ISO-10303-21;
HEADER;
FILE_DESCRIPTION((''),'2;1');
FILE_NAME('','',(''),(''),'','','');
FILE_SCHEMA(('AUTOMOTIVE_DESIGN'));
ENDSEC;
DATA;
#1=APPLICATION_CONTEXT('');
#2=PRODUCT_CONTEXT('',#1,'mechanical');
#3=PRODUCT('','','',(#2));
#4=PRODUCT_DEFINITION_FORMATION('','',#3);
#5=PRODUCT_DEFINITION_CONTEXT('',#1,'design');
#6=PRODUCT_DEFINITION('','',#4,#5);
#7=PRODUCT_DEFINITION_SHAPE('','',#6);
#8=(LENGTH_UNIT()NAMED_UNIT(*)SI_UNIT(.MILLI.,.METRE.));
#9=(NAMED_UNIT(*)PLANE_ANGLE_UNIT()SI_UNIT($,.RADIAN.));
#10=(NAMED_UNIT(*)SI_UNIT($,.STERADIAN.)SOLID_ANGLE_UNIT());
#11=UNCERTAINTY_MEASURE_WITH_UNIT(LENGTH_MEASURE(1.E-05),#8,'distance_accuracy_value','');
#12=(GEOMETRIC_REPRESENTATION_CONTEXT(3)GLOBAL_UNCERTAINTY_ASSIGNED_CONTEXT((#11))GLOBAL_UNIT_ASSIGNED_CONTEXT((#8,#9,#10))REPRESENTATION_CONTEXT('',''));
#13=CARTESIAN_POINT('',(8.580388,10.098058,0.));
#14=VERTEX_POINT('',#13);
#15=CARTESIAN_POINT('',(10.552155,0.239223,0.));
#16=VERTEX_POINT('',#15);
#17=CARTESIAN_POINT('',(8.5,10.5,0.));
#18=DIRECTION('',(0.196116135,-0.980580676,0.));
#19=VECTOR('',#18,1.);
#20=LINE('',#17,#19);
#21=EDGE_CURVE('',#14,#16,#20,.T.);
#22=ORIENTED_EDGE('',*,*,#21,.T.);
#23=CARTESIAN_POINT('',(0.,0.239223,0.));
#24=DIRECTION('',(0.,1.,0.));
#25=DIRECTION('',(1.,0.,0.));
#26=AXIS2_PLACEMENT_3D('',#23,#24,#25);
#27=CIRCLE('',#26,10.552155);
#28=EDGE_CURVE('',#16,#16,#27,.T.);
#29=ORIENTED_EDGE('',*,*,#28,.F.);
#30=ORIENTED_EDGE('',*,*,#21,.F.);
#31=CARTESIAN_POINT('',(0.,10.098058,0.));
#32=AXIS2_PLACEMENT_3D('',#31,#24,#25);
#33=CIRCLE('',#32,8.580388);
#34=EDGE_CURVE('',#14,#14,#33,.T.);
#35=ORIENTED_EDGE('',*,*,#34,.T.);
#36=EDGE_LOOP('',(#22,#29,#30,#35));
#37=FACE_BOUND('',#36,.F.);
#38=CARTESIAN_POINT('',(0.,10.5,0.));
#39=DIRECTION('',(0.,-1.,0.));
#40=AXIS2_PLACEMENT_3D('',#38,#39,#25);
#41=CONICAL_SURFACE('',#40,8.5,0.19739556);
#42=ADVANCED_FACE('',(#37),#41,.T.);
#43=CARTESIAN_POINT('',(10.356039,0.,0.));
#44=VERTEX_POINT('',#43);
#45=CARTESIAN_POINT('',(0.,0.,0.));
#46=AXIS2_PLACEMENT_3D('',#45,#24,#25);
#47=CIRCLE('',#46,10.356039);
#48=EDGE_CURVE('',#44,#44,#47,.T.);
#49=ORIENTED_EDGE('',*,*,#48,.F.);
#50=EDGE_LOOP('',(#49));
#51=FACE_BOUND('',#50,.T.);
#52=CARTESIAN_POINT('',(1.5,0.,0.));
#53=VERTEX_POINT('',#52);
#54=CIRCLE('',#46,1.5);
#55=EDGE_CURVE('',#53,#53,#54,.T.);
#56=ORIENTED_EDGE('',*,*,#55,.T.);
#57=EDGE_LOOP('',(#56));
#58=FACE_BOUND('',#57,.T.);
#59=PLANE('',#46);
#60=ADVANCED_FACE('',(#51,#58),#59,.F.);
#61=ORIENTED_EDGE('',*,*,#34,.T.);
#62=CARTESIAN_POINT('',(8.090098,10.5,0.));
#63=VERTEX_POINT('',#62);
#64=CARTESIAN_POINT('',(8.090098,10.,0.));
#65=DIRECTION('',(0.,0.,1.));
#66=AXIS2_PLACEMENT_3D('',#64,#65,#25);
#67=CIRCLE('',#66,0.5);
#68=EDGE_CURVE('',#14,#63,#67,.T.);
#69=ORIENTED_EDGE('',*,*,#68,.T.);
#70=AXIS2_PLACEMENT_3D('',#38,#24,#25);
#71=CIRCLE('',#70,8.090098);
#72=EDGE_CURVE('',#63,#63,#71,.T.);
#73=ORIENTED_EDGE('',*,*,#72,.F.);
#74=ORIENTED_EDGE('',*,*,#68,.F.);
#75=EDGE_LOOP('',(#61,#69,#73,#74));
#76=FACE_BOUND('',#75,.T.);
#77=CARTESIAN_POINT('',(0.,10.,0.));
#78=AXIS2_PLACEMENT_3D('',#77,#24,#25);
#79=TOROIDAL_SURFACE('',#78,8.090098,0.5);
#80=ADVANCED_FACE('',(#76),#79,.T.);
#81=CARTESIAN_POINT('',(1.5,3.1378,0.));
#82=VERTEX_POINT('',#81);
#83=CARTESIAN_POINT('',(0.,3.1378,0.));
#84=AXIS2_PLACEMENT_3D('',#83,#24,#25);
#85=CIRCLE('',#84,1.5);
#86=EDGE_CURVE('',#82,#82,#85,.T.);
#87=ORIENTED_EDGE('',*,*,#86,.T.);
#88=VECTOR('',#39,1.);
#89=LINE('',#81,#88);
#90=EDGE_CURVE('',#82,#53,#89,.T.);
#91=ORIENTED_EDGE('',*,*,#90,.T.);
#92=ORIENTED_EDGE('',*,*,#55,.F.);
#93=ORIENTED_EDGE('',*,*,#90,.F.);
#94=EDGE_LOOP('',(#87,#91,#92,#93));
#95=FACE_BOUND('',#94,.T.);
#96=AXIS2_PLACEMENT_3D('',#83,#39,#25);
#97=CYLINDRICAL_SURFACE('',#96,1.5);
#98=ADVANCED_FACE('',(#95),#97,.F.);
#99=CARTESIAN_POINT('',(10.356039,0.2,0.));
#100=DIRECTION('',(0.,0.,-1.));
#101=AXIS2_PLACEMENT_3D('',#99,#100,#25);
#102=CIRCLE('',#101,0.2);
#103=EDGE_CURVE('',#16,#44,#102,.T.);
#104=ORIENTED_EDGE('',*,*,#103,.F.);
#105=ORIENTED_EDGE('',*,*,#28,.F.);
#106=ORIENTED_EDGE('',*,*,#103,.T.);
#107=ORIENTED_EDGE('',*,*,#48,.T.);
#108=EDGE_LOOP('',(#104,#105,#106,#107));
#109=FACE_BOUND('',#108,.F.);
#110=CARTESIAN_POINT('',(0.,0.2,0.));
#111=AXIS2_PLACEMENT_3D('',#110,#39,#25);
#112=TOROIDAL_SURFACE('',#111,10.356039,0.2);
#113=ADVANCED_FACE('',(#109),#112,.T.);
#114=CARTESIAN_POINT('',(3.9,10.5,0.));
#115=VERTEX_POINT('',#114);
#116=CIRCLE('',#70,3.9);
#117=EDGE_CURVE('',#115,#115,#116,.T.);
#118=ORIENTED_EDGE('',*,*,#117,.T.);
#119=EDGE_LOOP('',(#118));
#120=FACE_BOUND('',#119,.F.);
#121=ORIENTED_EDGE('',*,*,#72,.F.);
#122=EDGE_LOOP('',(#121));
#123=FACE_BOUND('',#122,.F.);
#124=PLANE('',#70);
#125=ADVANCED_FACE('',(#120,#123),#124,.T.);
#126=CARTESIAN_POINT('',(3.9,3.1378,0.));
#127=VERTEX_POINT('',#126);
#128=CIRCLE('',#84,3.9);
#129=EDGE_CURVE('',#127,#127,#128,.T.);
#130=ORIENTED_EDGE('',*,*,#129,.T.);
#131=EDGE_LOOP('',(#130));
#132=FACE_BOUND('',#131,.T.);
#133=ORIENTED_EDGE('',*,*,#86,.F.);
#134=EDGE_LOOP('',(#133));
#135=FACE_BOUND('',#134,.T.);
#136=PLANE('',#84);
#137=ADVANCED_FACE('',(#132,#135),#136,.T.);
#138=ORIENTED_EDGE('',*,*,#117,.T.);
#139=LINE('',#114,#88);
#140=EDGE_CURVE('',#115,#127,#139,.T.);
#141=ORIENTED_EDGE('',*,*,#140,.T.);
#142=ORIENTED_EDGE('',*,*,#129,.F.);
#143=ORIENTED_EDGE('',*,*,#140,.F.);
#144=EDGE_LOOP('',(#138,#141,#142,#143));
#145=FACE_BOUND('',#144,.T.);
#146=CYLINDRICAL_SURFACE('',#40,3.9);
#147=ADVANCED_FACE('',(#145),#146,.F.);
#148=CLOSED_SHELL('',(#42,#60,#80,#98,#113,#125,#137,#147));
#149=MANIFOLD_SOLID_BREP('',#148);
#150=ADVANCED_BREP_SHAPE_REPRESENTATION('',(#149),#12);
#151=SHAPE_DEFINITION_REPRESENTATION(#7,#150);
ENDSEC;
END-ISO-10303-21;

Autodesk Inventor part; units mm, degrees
ref_plane "YZ Plane" through (0, 0, 0) normal (1, 0, 0) x (0, 1, 0)
ref_plane "XZ Plane" through (0, 0, 0) normal (0, 1, 0) x (-1, 0, 0)
ref_plane "XY Plane" through (0, 0, 0) normal (0, 0, 1) x (1, 0, 0)
sketch "Эскиз1" plane through (0, 0, 0) normal (0, 0, 1) x (1, 0, 0)
  line L0 (0, 0) -> (0, 10.5)
  line L1 (3.9, 10.5) -> (8.5, 10.5)
  line L2 (8.5, 10.5) -> (10.6, 0)
  line L3 (0, 0) -> (10.6, 0)
  line L4 (3.9, 10.5) -> (3.9, 3.1378)
  line L5 (3.9, 3.1378) -> (1.5, 3.1378)
  line L6 (1.5, 3.1378) -> (1.5, 0)
  dimension "d0" = 10.5
  dimension "d1" = 3
  dimension "d2" = 7.8
  dimension "d3" = 17
  dimension "d4" = 21.2
revolve "Вращение1" add sketch "Эскиз1" angle 360 about axis through (0, 0, 0) along (0, 1, 0)
fillet "Сопряжение1" radius 0.2 1 edges at (-10.6, 0, 0)
fillet "Сопряжение2" radius 0.5 1 edges at (-8.5, 10.5, 0)
properties part number "ножки"
